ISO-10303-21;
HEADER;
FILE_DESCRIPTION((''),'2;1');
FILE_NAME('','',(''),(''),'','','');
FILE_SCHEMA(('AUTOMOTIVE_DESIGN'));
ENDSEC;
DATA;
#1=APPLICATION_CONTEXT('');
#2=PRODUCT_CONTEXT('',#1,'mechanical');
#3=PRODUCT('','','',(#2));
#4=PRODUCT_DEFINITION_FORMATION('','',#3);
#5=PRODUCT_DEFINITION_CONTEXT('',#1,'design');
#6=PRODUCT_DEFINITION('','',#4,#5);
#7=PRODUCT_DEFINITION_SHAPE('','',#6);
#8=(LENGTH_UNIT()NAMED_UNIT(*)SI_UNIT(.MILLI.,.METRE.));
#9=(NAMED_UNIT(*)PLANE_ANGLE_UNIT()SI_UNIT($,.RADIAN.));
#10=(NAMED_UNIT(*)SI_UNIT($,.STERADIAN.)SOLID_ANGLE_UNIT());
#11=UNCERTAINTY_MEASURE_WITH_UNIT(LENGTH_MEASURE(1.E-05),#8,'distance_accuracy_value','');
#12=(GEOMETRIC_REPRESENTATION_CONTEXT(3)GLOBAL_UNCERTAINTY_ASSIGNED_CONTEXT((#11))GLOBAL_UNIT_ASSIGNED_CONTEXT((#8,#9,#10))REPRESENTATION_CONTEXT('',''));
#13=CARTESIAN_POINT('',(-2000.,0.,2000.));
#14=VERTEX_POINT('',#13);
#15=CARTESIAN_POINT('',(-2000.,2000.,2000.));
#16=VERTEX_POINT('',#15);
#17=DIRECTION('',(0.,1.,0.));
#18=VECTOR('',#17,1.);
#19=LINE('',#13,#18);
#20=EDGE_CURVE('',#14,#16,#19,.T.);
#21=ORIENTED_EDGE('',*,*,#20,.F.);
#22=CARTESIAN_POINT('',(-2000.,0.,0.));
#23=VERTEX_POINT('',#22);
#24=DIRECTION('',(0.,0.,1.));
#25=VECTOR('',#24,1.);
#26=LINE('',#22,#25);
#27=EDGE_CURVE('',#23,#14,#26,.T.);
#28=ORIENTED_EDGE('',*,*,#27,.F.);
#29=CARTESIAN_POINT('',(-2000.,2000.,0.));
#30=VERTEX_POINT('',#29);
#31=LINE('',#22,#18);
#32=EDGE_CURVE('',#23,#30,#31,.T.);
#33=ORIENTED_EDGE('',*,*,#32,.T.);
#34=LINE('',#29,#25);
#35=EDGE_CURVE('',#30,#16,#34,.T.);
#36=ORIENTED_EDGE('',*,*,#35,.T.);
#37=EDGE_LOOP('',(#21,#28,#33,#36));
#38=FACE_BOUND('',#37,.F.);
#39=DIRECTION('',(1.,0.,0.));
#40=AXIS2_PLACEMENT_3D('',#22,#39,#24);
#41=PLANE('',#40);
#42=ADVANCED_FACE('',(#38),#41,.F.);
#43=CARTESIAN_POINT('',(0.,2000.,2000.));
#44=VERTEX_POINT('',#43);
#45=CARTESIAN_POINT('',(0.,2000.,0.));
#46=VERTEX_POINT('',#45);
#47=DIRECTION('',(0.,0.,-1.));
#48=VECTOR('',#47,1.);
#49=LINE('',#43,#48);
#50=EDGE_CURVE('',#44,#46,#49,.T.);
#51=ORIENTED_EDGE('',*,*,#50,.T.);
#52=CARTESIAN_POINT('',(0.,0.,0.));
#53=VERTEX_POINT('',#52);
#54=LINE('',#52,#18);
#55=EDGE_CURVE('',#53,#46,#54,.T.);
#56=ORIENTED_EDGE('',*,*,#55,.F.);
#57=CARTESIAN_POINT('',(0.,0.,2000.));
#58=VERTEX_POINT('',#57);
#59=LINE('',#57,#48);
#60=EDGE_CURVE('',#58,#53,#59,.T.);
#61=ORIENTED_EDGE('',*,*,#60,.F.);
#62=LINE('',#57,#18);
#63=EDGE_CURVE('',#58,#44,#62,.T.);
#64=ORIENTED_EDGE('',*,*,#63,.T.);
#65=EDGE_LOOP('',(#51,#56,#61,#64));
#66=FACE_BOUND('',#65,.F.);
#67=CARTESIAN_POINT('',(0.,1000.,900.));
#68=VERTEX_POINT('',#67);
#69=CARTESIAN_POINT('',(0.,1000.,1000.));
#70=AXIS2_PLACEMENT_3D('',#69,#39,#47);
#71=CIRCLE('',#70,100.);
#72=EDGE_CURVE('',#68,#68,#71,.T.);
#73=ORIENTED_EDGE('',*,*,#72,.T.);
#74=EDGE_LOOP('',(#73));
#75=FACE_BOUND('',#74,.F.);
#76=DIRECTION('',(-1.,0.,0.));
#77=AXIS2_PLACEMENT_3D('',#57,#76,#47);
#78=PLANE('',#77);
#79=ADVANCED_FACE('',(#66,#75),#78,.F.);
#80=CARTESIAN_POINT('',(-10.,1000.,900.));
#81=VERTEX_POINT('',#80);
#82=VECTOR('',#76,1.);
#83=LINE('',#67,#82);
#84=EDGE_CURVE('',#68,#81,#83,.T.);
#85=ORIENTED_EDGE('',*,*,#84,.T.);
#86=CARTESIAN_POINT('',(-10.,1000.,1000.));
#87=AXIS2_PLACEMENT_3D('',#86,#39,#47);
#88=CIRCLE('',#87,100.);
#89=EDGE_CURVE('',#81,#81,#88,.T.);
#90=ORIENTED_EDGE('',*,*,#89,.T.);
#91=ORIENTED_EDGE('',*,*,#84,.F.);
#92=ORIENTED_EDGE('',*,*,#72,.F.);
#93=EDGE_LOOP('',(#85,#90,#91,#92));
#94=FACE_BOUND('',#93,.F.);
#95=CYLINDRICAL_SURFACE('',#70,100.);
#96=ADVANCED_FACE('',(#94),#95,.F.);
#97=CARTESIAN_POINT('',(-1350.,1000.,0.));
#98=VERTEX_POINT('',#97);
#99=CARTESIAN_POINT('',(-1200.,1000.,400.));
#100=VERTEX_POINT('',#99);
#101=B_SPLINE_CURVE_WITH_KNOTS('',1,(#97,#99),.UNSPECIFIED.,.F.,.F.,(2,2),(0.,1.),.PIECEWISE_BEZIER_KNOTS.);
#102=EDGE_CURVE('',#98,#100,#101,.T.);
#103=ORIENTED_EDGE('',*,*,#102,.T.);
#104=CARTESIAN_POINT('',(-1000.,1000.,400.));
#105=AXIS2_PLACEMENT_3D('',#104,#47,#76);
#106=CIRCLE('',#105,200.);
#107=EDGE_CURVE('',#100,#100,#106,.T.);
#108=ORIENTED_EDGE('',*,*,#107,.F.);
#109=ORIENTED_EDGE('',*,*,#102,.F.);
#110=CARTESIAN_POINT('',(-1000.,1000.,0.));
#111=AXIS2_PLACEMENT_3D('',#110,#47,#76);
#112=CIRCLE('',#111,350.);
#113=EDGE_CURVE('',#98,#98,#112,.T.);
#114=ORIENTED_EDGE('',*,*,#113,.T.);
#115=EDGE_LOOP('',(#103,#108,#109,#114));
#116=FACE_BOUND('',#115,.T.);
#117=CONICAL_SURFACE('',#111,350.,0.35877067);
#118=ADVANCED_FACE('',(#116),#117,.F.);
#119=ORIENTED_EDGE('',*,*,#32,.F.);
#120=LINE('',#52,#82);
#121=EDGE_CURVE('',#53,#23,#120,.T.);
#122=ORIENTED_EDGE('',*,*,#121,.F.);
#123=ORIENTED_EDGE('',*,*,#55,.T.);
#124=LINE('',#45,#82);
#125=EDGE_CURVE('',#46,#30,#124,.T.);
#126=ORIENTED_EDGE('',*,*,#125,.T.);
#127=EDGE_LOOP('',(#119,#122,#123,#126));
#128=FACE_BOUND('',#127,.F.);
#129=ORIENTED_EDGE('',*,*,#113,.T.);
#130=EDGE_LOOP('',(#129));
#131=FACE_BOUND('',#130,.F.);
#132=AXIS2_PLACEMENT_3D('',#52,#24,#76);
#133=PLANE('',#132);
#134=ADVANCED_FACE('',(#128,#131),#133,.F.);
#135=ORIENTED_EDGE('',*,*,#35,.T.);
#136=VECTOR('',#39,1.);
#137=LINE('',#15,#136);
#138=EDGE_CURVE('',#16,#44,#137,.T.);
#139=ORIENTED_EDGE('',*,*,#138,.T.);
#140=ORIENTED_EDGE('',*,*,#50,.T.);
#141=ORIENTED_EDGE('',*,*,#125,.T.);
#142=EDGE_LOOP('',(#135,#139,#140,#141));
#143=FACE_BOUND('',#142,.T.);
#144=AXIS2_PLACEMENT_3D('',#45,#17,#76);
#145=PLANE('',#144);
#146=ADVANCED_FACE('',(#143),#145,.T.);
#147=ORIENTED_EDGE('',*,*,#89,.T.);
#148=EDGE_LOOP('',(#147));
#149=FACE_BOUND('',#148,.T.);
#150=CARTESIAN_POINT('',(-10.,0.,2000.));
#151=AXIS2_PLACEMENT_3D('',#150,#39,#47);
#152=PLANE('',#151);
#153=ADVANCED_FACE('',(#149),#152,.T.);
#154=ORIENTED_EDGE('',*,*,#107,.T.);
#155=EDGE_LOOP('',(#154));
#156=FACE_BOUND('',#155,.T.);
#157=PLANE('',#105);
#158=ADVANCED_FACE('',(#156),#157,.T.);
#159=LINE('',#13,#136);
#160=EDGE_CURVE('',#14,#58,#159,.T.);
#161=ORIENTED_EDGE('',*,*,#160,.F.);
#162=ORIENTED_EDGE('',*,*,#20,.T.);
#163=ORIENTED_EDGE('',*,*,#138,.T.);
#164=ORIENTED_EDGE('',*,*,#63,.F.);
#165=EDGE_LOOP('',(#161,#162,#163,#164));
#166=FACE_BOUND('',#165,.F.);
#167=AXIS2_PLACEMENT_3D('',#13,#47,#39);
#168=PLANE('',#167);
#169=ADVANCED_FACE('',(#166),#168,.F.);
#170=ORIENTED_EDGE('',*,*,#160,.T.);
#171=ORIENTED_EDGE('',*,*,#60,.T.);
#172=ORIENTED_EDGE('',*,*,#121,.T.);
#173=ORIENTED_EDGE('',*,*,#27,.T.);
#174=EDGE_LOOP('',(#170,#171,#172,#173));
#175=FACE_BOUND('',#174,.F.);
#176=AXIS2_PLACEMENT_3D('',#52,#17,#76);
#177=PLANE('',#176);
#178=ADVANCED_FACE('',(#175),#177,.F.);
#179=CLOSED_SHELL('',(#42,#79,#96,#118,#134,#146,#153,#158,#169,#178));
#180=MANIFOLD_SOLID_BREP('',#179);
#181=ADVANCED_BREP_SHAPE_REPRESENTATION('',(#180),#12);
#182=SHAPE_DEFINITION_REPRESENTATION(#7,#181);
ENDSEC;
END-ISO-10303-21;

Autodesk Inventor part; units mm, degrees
ref_plane "YZ Plane" through (0, 0, 0) normal (1, 0, 0) x (0, 1, 0)
ref_plane "XZ Plane" through (0, 0, 0) normal (0, 1, 0) x (-1, 0, 0)
ref_plane "XY Plane" through (0, 0, 0) normal (0, 0, 1) x (1, 0, 0)
sketch "スケッチ1" plane through (0, 0, 0) normal (0, 1, 0) x (-1, 0, 0)
  line L0 (2000, 2000) -> (0, 2000)
  line L1 (0, 2000) -> (0, 0)
  line L2 (0, 0) -> (2000, 0)
  line L3 (2000, 0) -> (2000, 2000)
  dimension "d0" = 2000
  dimension "d1" = 2000
extrude "押し出し1" add sketch "スケッチ1" along normal blind 2000
sketch "スケッチ2" plane through (0, 0, 0) normal (0, 0, -1) x (-1, 0, 0)
  circle A0 centre (1000, 1000) radius 350
  line L0 (2000, 2000) -> (0, 2000) construction
  line L1 (1000, 2000) -> (1000, 1000) construction
  line L2 (1000, 1000) -> (2000, 1000) construction
  line L3 (2000, 0) -> (2000, 2000) construction
  point P0 (0, 0)
  dimension "d4" = 700
ref_plane "作業平面1" through (0, 0, 400) normal (0, 0, -1) x (-1, 0, 0)
sketch "スケッチ3" plane through (0, 0, 400) normal (0, 0, -1) x (-1, 0, 0)
  circle A0 centre (1000, 1000) radius 200
  point P0 (0, 0)
  dimension "d6" = 400
loft "ロフト1" cut profiles "スケッチ2", "スケッチ3"
sketch "スケッチ4" plane through (0, 0, 2000) normal (1, 0, 0) x (0, 0, -1)
  circle A0 centre (1000, 1000) radius 100
  line L0 (0, 0) -> (0, 2000) projected
  line L1 (0, 0) -> (2000, 0) projected
  dimension "d11" = 200
  dimension "d12" = 1000
  dimension "d13" = 1000
extrude "押し出し2" cut sketch "スケッチ4" against normal blind 10
properties part number "hako" material "アルミニウム 6061"
